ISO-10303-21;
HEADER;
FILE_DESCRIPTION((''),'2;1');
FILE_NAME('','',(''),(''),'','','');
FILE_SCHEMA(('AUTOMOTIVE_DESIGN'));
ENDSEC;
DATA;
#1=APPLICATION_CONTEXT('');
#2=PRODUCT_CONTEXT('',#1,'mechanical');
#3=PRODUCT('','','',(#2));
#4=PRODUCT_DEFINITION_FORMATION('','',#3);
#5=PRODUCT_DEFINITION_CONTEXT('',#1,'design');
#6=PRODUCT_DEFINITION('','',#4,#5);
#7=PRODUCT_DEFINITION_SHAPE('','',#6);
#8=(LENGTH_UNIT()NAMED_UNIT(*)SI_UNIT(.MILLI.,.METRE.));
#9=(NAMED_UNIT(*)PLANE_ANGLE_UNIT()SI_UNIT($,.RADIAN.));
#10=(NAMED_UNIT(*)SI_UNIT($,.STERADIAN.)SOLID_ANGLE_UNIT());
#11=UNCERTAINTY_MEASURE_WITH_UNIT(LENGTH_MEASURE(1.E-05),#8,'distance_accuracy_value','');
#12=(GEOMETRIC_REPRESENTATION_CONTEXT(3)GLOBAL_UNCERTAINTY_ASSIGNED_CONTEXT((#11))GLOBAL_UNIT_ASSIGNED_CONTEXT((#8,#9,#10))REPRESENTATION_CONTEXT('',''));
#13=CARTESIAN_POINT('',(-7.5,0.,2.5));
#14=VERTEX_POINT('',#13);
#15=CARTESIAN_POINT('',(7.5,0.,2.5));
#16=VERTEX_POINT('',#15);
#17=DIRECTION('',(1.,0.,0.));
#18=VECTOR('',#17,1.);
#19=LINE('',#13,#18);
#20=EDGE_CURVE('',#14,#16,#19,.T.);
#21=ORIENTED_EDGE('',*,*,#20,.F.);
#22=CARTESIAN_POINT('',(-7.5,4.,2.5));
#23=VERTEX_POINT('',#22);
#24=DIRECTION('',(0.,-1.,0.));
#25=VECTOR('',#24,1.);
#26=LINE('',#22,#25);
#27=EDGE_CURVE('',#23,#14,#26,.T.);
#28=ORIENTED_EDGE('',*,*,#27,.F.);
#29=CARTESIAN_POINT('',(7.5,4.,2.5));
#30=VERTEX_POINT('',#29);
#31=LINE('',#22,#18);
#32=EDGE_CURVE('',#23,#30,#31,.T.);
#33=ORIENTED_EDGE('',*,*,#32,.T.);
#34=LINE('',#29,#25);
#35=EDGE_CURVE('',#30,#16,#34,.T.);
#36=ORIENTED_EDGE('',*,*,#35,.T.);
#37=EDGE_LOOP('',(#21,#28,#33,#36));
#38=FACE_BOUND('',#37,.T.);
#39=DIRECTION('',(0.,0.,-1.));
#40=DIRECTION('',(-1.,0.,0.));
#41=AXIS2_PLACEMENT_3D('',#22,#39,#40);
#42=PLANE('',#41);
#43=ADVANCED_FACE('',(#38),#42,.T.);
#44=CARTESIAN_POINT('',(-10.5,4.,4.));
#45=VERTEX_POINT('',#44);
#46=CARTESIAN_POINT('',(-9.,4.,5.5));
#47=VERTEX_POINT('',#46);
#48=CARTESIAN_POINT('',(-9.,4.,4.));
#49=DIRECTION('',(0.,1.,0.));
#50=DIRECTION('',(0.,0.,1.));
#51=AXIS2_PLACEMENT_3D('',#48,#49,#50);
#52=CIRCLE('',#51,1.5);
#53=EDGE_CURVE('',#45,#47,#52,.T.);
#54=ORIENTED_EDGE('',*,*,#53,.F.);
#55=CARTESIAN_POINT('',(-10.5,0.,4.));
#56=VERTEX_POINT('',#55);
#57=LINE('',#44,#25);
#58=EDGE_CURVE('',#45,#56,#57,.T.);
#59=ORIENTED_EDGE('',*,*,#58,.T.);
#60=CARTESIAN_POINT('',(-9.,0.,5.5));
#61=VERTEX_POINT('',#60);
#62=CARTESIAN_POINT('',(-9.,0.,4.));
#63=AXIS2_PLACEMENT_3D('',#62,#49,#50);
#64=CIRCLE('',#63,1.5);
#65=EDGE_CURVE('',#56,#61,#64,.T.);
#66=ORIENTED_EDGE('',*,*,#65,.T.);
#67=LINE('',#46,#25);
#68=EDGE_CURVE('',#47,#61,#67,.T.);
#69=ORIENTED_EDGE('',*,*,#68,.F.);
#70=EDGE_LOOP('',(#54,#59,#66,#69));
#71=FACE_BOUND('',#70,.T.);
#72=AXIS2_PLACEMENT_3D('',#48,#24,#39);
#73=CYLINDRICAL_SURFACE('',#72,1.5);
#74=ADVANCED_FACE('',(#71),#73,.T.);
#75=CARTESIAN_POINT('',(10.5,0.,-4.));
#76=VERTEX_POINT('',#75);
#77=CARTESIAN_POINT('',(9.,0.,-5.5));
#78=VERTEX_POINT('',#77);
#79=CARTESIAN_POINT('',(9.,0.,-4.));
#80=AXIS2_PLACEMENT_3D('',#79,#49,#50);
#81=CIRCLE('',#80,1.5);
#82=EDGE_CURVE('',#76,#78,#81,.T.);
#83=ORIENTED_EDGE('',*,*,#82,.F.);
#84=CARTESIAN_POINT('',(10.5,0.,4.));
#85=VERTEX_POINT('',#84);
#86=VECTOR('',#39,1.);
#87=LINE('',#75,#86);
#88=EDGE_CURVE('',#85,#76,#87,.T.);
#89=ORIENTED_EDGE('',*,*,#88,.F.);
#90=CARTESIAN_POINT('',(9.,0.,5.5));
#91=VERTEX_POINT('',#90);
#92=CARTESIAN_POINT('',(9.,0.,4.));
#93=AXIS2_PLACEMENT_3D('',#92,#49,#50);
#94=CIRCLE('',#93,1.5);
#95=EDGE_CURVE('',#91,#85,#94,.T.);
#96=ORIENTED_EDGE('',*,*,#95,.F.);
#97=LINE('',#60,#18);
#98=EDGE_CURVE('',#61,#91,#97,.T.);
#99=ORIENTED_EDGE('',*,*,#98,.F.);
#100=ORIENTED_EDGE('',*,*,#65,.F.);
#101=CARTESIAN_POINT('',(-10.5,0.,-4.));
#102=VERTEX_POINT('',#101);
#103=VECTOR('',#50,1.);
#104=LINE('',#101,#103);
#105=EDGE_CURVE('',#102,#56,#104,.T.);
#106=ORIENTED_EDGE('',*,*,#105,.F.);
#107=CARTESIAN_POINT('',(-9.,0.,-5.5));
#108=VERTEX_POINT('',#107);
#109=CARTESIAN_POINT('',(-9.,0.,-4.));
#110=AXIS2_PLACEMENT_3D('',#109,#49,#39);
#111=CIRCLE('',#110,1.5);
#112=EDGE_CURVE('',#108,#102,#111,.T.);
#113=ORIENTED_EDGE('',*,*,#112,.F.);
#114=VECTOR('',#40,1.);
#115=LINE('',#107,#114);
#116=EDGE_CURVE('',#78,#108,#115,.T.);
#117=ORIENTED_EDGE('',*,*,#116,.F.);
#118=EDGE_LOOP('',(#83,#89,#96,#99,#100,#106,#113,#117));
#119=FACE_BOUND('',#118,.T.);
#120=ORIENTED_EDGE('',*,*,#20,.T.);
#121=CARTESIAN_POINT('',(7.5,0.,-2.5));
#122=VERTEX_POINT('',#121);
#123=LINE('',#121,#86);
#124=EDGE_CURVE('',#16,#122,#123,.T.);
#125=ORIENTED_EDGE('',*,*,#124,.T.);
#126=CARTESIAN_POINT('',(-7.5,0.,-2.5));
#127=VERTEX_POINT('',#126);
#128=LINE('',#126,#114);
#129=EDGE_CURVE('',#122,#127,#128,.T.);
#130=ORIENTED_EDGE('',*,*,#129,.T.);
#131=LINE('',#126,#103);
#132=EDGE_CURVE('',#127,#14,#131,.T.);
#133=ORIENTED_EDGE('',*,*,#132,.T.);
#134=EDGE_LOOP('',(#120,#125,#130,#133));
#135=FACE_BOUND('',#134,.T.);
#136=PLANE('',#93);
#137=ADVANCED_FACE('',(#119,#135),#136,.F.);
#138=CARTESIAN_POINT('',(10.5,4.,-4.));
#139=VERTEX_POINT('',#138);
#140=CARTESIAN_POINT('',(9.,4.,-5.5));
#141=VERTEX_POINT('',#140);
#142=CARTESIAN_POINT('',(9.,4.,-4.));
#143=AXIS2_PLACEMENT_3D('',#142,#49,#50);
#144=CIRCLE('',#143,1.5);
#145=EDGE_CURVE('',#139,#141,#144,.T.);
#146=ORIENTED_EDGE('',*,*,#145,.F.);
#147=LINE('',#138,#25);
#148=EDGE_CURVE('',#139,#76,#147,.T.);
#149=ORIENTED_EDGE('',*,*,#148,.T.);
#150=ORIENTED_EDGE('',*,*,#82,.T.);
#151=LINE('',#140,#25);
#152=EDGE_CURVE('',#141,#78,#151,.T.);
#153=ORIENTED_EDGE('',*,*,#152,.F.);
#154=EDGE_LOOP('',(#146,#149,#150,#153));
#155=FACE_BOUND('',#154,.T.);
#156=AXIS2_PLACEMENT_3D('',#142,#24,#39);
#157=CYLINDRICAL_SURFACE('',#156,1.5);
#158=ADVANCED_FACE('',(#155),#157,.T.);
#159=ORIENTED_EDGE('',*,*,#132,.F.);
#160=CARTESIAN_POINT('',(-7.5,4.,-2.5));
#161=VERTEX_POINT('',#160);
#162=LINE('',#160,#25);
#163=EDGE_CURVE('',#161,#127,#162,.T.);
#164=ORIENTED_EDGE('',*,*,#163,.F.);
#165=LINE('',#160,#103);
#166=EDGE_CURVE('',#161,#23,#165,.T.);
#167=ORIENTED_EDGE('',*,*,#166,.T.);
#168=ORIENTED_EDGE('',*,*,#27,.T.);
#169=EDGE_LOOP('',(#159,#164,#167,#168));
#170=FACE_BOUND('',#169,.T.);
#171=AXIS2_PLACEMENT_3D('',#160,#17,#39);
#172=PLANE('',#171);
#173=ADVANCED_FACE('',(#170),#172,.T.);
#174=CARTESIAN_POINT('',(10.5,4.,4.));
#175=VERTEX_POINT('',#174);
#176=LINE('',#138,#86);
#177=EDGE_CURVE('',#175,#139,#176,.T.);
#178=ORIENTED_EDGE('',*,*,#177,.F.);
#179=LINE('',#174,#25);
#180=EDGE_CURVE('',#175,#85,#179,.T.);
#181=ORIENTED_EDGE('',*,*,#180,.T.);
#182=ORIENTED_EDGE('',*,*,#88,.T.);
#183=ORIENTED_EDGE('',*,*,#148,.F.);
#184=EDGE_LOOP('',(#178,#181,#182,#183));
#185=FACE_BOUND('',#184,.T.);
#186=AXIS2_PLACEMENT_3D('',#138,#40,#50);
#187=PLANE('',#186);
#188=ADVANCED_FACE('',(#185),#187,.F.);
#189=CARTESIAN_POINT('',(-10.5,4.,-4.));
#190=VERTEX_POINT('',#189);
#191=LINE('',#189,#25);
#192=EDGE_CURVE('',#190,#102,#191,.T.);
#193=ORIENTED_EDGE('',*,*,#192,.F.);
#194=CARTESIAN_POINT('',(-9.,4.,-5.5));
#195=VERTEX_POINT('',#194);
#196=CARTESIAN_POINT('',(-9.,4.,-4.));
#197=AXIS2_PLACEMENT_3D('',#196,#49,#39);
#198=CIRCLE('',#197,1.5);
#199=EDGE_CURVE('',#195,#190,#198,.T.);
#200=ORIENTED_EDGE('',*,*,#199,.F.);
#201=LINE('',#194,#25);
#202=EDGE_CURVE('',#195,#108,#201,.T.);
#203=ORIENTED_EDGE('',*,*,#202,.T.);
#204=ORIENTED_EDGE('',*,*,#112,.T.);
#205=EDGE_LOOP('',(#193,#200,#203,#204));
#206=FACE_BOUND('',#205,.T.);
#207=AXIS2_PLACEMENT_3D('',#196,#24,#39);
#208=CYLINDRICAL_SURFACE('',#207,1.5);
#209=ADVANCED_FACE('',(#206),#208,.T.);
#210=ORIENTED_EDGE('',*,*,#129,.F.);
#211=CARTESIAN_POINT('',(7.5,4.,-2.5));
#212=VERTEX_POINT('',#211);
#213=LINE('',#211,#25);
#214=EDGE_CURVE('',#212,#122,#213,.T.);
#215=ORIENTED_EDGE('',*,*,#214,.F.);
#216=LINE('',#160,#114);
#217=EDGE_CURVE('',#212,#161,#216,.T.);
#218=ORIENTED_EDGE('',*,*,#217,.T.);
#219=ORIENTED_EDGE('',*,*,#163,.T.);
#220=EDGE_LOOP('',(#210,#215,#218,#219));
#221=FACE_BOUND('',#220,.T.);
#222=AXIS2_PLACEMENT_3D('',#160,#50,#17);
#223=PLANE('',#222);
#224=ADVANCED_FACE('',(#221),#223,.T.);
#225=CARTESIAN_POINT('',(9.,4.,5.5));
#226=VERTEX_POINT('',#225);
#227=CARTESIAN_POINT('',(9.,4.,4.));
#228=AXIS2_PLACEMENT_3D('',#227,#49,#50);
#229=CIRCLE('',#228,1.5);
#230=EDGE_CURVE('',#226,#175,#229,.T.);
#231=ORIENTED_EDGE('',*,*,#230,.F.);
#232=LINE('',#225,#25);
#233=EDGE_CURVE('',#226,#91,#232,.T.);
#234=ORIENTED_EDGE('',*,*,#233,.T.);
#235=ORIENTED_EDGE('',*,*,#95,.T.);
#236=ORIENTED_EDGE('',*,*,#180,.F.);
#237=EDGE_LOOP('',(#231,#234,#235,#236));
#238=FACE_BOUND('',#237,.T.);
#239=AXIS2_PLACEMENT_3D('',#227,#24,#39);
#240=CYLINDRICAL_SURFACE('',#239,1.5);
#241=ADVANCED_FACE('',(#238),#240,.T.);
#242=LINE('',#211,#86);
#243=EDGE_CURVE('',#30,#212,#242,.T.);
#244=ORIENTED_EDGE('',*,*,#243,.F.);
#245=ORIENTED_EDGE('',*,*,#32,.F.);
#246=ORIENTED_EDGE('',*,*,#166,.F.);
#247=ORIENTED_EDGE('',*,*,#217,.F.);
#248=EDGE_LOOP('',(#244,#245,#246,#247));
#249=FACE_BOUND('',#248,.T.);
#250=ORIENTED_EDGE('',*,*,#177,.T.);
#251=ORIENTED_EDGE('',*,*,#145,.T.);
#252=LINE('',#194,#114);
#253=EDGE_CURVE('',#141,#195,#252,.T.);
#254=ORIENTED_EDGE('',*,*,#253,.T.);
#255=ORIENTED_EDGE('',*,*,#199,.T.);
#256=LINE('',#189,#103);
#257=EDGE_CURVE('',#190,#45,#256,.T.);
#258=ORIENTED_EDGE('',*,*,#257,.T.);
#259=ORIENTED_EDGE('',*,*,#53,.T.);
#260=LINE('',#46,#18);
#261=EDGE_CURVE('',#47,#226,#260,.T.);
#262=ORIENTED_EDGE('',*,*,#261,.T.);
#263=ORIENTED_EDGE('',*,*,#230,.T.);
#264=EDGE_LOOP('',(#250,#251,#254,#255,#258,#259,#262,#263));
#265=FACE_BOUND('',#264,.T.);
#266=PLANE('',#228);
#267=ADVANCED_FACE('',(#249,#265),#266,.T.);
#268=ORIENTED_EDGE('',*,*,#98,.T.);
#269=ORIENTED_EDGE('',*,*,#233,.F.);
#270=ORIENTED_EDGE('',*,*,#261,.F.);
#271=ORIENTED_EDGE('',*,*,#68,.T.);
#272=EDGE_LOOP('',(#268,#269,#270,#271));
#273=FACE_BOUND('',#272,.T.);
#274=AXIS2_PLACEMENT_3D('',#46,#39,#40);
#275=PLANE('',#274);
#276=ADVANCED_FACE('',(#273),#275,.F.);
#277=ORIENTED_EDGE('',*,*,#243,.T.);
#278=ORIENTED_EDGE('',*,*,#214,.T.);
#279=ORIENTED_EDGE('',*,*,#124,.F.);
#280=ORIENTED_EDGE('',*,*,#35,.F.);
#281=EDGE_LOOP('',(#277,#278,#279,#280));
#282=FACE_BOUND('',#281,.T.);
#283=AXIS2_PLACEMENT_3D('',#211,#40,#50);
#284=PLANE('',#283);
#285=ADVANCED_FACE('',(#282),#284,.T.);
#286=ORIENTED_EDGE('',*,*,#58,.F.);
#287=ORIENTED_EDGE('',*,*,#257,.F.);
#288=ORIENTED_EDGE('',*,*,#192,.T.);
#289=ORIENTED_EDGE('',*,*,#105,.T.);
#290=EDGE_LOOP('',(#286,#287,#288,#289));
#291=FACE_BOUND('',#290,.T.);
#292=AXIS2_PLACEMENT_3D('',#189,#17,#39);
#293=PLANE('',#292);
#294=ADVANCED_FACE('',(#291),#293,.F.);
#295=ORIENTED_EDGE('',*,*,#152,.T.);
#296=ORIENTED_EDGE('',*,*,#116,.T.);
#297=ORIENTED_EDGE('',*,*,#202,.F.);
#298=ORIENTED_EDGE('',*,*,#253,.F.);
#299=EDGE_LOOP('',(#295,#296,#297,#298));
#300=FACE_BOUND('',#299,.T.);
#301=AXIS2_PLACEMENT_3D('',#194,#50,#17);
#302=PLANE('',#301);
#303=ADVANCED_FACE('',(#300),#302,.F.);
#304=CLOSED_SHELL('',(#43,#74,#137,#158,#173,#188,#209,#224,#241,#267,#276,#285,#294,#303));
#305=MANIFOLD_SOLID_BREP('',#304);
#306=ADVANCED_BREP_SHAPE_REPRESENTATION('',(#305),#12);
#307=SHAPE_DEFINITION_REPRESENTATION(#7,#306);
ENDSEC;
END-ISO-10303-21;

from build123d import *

# Parameters (mm, degrees)
CROQUIS1_W              = 15
CROQUIS1_H              = 5
SALIENTE_EXTRUIR1_DEPTH = 4


with BuildPart() as part:
    # Croquis1 → Saliente-Extruir1 (new body)
    with BuildSketch(Plane(origin=(0, 0, 0), x_dir=(1, 0, 0), z_dir=(0, 1, 0))):
        with BuildLine():
            Line((-10.5, 4), (-10.5, -4))
            ThreePointArc((-10.5, -4), (-10.060660172, -5.060660172), (-9, -5.5))
            Line((-9, -5.5), (9, -5.5))
            ThreePointArc((9, -5.5), (10.060660172, -5.060660172), (10.5, -4))
            Line((10.5, -4), (10.5, 4))
            ThreePointArc((10.5, 4), (10.060660172, 5.060660172), (9, 5.5))
            Line((9, 5.5), (-9, 5.5))
            ThreePointArc((-9, 5.5), (-10.060660172, 5.060660172), (-10.5, 4))
        make_face()
        Rectangle(CROQUIS1_W, CROQUIS1_H, mode=Mode.SUBTRACT)
    extrude(amount=SALIENTE_EXTRUIR1_DEPTH)


solid = part.part
